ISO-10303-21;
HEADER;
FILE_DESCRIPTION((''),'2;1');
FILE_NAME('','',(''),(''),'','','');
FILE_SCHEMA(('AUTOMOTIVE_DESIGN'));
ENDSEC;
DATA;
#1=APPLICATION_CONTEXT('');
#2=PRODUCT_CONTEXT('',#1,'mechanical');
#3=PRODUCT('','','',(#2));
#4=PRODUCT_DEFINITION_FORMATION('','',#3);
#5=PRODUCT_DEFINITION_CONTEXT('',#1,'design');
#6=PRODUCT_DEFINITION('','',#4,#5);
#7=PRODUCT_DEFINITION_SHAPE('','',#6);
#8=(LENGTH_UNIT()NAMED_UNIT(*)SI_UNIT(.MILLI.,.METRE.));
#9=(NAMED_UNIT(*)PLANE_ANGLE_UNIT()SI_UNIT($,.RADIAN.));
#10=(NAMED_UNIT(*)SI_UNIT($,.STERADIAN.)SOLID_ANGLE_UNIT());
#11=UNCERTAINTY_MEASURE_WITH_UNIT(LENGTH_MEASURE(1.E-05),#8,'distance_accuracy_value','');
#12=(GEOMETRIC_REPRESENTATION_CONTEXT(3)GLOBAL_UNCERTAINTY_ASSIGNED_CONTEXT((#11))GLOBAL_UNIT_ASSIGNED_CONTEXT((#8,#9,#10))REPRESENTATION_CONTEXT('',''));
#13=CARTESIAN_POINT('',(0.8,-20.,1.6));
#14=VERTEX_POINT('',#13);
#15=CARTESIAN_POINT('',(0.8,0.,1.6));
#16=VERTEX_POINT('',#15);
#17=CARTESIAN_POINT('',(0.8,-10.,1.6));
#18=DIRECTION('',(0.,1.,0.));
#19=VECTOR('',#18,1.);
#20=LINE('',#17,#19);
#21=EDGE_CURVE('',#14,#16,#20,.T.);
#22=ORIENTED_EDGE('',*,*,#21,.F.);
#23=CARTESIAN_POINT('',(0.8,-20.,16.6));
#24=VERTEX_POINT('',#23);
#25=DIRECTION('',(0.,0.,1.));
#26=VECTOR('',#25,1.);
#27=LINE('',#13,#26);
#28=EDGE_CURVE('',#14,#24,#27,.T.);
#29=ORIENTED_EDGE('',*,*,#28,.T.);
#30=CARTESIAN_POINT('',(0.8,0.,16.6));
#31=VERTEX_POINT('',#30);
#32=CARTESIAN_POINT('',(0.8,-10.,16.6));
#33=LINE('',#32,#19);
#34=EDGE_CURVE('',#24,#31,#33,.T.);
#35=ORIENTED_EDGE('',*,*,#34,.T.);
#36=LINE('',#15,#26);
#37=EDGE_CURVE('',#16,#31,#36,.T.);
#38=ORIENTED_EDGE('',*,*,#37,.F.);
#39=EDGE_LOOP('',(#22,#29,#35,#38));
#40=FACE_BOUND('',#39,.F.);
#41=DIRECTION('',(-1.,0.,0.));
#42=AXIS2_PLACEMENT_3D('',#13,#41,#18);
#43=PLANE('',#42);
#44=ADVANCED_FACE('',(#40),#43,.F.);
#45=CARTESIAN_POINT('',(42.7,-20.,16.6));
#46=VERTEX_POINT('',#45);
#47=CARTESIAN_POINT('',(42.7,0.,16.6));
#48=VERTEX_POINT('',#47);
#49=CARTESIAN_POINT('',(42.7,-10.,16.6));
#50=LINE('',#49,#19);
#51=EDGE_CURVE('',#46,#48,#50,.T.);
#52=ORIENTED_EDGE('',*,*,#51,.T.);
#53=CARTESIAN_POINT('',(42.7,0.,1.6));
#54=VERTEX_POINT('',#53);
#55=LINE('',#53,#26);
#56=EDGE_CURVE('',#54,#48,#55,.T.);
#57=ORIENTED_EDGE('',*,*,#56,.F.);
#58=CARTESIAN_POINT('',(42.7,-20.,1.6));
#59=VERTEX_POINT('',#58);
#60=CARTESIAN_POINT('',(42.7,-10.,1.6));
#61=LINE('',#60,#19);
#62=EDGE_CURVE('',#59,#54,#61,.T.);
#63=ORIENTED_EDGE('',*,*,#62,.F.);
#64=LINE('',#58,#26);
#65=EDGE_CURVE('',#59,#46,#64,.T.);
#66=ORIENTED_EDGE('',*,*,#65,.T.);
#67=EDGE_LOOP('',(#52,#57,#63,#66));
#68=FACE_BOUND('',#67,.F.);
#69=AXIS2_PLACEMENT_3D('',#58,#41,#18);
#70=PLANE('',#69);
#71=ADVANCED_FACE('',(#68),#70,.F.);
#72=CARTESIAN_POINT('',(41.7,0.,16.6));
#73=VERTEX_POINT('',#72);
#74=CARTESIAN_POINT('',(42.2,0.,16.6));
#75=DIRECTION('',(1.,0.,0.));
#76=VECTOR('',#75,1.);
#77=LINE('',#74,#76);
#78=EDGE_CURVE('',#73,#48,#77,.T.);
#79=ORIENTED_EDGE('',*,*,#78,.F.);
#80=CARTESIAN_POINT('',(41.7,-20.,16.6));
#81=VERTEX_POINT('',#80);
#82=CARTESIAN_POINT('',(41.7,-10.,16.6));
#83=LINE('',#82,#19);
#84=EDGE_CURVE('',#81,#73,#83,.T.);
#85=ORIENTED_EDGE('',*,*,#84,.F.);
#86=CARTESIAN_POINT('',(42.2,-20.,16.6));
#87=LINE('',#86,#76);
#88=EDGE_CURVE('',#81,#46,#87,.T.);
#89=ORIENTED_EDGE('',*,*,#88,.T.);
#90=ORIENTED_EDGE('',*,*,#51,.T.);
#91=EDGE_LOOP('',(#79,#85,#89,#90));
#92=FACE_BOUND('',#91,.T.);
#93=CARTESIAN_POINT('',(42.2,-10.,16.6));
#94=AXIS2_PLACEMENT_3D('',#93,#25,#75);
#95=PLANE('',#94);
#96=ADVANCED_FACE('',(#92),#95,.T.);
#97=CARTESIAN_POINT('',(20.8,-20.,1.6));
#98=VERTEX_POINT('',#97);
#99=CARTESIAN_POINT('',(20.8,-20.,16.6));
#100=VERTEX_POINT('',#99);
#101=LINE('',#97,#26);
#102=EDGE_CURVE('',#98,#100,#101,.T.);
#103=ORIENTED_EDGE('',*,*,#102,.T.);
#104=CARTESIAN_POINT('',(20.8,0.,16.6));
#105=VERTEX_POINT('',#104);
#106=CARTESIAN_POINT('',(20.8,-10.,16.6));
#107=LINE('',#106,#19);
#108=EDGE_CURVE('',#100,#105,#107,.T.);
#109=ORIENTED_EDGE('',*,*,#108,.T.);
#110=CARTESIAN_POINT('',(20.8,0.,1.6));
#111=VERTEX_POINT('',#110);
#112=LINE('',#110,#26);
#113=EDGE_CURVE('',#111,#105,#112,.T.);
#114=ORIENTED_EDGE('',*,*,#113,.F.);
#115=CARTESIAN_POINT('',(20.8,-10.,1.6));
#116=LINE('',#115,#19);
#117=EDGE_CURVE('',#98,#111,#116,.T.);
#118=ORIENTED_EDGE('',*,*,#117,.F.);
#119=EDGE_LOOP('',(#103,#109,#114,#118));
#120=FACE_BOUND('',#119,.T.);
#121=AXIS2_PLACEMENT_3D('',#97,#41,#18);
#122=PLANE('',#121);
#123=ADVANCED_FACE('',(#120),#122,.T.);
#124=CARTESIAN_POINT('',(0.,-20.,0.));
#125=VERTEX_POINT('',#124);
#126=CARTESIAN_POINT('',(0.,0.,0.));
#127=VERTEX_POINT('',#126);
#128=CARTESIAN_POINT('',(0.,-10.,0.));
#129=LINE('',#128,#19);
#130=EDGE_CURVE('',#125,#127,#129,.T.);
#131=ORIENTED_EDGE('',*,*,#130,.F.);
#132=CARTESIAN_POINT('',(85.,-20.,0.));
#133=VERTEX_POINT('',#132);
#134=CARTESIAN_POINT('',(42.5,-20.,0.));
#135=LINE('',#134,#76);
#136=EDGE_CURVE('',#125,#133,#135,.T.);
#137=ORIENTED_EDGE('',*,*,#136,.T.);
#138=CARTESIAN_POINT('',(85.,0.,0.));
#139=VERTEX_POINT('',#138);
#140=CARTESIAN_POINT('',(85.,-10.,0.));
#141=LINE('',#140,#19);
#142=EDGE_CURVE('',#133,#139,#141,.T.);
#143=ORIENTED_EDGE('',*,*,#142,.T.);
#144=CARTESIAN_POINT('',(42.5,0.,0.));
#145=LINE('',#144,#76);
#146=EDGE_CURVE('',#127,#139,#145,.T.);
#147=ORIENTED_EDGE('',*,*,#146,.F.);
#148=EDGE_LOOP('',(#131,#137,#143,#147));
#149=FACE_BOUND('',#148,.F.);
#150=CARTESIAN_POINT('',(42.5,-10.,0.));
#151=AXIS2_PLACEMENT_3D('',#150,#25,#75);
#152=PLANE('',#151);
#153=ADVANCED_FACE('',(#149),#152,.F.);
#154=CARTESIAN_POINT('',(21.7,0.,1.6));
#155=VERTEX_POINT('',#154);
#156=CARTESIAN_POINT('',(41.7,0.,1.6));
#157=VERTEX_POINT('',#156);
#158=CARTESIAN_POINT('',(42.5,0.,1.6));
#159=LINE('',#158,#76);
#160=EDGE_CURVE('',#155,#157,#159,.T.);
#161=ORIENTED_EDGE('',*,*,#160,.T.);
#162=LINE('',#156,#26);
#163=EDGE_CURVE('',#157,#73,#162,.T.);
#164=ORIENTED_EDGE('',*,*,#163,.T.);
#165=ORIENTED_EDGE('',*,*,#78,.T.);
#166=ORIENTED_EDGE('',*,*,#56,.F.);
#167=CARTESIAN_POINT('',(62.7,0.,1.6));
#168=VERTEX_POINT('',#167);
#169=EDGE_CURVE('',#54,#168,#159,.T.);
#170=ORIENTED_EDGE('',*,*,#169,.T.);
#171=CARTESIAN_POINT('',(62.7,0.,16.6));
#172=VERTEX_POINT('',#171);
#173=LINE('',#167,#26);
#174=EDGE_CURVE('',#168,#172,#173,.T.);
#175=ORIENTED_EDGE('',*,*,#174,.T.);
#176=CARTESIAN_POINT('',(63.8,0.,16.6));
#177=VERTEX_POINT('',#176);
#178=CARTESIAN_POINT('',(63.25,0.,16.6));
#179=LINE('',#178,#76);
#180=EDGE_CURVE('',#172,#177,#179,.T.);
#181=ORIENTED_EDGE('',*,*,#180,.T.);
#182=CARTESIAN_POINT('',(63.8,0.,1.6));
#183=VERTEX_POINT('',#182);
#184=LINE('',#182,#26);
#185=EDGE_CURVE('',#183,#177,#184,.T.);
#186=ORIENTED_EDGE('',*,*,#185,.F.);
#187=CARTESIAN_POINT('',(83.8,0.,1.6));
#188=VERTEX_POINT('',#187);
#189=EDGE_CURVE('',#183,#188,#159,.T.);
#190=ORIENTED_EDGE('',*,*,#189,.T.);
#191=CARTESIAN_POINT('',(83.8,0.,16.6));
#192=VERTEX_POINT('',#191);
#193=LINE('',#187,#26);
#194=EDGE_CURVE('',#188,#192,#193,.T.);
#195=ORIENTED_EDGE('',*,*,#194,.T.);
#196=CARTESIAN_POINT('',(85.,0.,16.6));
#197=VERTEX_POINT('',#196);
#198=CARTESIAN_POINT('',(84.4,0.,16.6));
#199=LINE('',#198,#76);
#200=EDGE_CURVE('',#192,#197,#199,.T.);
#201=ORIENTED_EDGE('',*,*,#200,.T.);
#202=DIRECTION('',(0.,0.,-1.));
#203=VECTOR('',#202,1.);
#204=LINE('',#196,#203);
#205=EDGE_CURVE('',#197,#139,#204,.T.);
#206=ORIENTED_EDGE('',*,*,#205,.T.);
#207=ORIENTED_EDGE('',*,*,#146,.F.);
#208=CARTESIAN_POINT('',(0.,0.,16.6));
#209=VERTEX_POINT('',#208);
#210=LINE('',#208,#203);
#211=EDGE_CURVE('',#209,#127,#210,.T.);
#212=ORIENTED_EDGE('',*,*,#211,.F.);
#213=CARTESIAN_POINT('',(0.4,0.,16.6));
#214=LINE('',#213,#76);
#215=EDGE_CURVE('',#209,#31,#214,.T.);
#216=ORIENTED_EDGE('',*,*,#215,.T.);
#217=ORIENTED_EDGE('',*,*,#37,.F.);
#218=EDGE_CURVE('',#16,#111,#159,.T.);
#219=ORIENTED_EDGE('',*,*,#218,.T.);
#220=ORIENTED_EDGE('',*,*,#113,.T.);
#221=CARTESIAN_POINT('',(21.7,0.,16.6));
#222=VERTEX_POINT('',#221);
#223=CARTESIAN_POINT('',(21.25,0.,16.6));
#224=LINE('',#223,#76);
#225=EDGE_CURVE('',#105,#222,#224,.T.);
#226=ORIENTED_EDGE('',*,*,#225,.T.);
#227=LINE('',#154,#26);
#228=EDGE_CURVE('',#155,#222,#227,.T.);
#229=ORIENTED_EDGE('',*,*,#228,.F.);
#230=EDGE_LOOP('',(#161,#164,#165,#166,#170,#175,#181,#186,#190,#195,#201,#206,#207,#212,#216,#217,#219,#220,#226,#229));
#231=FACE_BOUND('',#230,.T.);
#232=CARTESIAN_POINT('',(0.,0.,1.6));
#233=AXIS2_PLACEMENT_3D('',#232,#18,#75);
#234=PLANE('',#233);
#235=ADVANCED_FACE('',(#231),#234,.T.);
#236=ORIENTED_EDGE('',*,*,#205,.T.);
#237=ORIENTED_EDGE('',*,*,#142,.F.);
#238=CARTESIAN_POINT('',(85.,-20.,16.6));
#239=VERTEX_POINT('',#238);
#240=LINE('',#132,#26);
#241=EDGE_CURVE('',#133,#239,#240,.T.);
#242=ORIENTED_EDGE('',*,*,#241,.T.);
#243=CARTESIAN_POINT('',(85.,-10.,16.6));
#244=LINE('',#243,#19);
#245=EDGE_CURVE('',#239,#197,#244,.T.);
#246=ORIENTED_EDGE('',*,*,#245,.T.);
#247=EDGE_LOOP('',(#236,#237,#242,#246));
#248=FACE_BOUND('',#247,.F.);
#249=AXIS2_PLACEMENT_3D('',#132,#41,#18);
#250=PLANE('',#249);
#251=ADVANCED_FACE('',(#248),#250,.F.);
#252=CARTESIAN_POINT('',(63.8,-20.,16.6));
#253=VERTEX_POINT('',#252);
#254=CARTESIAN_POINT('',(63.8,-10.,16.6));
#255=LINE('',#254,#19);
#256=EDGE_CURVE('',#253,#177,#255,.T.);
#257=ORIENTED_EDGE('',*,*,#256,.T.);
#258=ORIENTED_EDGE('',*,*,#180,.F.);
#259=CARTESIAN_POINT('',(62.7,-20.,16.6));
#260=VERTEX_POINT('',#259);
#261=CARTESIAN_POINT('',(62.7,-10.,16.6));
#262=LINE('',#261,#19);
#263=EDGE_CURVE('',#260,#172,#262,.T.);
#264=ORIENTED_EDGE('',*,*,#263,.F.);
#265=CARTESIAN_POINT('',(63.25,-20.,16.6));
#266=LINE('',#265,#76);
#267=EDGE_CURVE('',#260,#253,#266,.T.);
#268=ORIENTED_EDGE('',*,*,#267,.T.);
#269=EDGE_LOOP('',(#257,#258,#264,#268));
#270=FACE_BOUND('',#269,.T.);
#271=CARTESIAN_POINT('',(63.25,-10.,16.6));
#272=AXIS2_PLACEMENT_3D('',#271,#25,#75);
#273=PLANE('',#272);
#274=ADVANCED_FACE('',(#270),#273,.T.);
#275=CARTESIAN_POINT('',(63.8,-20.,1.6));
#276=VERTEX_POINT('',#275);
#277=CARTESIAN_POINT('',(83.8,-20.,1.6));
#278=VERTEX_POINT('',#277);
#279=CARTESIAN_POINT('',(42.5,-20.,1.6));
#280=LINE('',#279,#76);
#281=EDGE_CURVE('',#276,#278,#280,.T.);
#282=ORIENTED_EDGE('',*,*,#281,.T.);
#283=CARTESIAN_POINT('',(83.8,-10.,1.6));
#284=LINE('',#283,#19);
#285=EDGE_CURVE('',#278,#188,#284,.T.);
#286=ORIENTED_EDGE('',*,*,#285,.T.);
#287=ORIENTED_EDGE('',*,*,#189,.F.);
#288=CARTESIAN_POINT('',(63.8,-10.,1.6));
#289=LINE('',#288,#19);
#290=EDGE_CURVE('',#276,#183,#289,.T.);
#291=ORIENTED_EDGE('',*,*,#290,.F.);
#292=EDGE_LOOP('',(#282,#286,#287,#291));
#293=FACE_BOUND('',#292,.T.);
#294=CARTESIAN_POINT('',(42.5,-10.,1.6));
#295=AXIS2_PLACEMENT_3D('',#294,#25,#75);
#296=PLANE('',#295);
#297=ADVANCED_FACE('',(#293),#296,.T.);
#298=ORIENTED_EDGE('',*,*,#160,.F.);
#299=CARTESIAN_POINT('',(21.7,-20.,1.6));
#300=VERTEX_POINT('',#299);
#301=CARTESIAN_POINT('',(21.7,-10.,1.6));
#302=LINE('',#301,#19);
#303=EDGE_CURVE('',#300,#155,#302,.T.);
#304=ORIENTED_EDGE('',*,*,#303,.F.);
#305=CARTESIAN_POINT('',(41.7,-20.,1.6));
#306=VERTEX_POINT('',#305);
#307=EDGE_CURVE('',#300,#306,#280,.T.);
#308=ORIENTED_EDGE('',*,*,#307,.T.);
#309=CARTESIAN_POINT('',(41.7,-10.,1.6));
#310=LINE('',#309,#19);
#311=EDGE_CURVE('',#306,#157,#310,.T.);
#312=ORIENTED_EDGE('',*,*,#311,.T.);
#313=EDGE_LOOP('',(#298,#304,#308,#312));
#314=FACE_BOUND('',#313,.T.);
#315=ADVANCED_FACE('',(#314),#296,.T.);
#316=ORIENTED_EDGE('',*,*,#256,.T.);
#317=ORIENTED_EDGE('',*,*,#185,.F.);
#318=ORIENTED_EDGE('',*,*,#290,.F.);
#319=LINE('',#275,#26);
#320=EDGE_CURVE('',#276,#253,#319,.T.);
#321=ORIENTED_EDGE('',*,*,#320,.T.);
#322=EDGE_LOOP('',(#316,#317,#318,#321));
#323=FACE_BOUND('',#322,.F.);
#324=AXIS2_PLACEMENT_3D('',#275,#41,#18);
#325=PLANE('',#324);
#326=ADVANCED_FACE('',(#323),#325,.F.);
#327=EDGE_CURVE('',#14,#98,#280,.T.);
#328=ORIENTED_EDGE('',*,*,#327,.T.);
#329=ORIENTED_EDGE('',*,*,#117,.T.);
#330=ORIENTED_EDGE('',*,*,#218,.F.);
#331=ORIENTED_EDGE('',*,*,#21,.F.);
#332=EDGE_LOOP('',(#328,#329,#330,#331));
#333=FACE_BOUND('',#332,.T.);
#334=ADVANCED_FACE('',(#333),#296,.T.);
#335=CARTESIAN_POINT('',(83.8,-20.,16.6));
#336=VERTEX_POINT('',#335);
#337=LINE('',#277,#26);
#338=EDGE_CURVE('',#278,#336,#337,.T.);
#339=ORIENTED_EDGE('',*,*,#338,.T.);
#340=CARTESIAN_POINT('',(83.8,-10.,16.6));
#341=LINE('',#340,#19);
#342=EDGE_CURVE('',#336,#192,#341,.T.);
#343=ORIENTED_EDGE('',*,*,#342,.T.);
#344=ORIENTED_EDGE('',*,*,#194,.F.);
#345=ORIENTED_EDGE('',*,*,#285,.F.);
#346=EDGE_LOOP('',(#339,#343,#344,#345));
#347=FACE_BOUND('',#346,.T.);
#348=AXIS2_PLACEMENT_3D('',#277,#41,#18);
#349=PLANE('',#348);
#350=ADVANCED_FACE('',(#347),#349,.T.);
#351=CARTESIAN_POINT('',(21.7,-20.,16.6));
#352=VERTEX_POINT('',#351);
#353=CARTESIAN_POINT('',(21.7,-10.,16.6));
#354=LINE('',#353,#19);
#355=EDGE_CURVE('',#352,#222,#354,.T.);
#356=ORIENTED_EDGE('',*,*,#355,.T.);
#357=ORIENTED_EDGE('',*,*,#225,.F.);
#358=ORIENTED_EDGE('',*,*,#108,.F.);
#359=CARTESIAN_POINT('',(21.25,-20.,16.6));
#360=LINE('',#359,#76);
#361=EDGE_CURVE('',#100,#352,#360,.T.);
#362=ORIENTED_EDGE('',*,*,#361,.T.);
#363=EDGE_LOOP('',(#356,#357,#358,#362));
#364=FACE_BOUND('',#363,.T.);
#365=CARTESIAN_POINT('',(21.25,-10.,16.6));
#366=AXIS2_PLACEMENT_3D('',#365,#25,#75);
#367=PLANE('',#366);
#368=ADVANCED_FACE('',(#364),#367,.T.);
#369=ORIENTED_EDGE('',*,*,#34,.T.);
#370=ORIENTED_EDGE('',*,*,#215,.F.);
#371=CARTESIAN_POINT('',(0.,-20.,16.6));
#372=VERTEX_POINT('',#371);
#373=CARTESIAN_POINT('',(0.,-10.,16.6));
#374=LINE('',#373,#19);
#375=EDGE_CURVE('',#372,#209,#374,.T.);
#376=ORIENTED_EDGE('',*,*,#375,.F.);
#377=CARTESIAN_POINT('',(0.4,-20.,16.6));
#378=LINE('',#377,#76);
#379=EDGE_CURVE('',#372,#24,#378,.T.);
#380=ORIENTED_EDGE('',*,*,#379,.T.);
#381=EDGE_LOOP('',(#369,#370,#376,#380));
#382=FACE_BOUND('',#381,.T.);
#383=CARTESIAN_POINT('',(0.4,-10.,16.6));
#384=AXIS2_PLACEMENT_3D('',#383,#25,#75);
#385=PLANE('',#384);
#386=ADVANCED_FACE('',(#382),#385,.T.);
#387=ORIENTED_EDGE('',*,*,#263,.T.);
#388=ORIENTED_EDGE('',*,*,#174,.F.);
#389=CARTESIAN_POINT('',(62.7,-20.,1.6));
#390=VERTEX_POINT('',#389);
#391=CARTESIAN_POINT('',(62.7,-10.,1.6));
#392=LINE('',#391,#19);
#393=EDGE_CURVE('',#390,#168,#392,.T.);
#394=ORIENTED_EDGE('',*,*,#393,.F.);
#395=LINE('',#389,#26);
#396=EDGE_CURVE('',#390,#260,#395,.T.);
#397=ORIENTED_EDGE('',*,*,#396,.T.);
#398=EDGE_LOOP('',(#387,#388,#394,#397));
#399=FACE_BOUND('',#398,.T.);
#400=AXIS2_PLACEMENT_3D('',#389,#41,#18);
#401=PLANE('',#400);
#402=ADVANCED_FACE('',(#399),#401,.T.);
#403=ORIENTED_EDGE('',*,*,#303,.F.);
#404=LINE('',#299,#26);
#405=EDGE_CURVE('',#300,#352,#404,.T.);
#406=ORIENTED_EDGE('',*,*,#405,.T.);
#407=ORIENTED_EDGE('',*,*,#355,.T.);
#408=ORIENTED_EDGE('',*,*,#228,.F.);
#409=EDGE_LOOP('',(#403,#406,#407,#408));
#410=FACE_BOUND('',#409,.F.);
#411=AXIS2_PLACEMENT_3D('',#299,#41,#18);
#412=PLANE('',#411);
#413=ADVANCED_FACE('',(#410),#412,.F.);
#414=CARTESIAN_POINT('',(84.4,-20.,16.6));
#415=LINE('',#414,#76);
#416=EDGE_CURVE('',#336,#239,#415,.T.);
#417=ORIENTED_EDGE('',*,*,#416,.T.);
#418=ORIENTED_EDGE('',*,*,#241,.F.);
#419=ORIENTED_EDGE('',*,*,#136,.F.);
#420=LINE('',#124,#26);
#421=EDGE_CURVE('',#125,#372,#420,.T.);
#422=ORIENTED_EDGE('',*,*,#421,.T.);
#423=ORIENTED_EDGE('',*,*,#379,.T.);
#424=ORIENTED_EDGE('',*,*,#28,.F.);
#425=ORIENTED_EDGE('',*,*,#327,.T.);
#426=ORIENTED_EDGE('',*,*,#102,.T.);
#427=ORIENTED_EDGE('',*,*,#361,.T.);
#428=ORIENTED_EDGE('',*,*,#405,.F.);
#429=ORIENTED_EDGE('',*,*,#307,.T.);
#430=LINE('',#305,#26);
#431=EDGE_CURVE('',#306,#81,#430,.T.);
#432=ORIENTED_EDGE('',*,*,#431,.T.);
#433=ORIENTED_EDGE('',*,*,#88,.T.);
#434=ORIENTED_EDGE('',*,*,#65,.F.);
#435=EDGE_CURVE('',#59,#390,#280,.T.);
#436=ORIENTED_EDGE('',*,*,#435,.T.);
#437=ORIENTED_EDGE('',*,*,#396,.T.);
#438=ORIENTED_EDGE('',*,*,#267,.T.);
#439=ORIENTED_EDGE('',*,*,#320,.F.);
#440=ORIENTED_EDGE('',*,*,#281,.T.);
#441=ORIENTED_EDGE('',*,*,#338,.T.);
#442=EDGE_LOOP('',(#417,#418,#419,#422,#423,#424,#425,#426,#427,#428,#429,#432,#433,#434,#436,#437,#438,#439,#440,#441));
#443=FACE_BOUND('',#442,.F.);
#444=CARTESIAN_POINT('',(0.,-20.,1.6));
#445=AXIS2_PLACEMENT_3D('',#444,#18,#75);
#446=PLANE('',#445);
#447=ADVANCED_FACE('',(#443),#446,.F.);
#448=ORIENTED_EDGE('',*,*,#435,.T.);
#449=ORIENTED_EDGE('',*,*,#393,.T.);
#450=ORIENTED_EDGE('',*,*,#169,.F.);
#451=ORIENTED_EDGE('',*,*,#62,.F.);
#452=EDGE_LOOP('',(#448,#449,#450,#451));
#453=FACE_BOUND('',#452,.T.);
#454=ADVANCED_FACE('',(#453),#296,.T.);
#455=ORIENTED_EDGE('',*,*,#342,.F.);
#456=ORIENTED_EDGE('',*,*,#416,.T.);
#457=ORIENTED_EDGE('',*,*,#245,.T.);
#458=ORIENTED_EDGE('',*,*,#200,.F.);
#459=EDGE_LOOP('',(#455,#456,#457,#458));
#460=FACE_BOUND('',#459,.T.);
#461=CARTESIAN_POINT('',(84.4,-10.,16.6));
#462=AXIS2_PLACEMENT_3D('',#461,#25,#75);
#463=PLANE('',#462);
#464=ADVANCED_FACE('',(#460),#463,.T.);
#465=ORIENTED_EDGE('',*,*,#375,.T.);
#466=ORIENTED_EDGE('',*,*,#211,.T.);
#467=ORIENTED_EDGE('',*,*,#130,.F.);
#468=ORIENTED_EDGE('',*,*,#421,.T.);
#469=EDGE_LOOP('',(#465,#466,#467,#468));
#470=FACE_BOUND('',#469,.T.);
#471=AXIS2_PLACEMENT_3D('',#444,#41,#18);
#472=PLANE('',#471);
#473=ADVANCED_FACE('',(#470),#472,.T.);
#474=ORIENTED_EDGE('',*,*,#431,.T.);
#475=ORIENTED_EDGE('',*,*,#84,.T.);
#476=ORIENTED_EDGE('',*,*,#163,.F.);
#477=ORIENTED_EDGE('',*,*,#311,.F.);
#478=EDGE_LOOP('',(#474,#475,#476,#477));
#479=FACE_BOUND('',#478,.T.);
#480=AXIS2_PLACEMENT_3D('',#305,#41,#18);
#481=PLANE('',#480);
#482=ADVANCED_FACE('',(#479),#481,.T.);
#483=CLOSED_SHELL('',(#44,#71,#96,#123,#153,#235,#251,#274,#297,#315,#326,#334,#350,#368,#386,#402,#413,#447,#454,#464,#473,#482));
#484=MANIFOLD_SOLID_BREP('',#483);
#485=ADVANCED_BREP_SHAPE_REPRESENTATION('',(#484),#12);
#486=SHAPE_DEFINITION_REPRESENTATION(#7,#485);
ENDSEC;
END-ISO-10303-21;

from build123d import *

# Parameters (mm, degrees)
F0_W     = 85
F0_H     = 20
F1_DEPTH = 1.6
F2_W     = 0.8
F2_H     = 20
F2_W_2   = 0.9
F2_W_3   = 1
F2_W_4   = 1.1
F2_W_5   = 1.2
F3_DEPTH = 15


with BuildPart() as f1:
    # F0 (on Top) → F1 (new body)
    with BuildSketch(Plane.XY):
        with Locations((42.5, -10)):
            Rectangle(F0_W, F0_H)
    extrude(amount=F1_DEPTH)

    # F2 (on face) → F3 (join)
    with BuildSketch(Plane.XY.offset(1.6)):
        with Locations((0.4, -10)):
            Rectangle(F2_W, F2_H)
        with Locations((21.25, -10)):
            Rectangle(F2_W_2, F2_H)
        with Locations((42.2, -10)):
            Rectangle(F2_W_3, F2_H)
        with Locations((63.25, -10)):
            Rectangle(F2_W_4, F2_H)
        with Locations((84.4, -10)):
            Rectangle(F2_W_5, F2_H)
    extrude(amount=F3_DEPTH)


solid = f1.part
